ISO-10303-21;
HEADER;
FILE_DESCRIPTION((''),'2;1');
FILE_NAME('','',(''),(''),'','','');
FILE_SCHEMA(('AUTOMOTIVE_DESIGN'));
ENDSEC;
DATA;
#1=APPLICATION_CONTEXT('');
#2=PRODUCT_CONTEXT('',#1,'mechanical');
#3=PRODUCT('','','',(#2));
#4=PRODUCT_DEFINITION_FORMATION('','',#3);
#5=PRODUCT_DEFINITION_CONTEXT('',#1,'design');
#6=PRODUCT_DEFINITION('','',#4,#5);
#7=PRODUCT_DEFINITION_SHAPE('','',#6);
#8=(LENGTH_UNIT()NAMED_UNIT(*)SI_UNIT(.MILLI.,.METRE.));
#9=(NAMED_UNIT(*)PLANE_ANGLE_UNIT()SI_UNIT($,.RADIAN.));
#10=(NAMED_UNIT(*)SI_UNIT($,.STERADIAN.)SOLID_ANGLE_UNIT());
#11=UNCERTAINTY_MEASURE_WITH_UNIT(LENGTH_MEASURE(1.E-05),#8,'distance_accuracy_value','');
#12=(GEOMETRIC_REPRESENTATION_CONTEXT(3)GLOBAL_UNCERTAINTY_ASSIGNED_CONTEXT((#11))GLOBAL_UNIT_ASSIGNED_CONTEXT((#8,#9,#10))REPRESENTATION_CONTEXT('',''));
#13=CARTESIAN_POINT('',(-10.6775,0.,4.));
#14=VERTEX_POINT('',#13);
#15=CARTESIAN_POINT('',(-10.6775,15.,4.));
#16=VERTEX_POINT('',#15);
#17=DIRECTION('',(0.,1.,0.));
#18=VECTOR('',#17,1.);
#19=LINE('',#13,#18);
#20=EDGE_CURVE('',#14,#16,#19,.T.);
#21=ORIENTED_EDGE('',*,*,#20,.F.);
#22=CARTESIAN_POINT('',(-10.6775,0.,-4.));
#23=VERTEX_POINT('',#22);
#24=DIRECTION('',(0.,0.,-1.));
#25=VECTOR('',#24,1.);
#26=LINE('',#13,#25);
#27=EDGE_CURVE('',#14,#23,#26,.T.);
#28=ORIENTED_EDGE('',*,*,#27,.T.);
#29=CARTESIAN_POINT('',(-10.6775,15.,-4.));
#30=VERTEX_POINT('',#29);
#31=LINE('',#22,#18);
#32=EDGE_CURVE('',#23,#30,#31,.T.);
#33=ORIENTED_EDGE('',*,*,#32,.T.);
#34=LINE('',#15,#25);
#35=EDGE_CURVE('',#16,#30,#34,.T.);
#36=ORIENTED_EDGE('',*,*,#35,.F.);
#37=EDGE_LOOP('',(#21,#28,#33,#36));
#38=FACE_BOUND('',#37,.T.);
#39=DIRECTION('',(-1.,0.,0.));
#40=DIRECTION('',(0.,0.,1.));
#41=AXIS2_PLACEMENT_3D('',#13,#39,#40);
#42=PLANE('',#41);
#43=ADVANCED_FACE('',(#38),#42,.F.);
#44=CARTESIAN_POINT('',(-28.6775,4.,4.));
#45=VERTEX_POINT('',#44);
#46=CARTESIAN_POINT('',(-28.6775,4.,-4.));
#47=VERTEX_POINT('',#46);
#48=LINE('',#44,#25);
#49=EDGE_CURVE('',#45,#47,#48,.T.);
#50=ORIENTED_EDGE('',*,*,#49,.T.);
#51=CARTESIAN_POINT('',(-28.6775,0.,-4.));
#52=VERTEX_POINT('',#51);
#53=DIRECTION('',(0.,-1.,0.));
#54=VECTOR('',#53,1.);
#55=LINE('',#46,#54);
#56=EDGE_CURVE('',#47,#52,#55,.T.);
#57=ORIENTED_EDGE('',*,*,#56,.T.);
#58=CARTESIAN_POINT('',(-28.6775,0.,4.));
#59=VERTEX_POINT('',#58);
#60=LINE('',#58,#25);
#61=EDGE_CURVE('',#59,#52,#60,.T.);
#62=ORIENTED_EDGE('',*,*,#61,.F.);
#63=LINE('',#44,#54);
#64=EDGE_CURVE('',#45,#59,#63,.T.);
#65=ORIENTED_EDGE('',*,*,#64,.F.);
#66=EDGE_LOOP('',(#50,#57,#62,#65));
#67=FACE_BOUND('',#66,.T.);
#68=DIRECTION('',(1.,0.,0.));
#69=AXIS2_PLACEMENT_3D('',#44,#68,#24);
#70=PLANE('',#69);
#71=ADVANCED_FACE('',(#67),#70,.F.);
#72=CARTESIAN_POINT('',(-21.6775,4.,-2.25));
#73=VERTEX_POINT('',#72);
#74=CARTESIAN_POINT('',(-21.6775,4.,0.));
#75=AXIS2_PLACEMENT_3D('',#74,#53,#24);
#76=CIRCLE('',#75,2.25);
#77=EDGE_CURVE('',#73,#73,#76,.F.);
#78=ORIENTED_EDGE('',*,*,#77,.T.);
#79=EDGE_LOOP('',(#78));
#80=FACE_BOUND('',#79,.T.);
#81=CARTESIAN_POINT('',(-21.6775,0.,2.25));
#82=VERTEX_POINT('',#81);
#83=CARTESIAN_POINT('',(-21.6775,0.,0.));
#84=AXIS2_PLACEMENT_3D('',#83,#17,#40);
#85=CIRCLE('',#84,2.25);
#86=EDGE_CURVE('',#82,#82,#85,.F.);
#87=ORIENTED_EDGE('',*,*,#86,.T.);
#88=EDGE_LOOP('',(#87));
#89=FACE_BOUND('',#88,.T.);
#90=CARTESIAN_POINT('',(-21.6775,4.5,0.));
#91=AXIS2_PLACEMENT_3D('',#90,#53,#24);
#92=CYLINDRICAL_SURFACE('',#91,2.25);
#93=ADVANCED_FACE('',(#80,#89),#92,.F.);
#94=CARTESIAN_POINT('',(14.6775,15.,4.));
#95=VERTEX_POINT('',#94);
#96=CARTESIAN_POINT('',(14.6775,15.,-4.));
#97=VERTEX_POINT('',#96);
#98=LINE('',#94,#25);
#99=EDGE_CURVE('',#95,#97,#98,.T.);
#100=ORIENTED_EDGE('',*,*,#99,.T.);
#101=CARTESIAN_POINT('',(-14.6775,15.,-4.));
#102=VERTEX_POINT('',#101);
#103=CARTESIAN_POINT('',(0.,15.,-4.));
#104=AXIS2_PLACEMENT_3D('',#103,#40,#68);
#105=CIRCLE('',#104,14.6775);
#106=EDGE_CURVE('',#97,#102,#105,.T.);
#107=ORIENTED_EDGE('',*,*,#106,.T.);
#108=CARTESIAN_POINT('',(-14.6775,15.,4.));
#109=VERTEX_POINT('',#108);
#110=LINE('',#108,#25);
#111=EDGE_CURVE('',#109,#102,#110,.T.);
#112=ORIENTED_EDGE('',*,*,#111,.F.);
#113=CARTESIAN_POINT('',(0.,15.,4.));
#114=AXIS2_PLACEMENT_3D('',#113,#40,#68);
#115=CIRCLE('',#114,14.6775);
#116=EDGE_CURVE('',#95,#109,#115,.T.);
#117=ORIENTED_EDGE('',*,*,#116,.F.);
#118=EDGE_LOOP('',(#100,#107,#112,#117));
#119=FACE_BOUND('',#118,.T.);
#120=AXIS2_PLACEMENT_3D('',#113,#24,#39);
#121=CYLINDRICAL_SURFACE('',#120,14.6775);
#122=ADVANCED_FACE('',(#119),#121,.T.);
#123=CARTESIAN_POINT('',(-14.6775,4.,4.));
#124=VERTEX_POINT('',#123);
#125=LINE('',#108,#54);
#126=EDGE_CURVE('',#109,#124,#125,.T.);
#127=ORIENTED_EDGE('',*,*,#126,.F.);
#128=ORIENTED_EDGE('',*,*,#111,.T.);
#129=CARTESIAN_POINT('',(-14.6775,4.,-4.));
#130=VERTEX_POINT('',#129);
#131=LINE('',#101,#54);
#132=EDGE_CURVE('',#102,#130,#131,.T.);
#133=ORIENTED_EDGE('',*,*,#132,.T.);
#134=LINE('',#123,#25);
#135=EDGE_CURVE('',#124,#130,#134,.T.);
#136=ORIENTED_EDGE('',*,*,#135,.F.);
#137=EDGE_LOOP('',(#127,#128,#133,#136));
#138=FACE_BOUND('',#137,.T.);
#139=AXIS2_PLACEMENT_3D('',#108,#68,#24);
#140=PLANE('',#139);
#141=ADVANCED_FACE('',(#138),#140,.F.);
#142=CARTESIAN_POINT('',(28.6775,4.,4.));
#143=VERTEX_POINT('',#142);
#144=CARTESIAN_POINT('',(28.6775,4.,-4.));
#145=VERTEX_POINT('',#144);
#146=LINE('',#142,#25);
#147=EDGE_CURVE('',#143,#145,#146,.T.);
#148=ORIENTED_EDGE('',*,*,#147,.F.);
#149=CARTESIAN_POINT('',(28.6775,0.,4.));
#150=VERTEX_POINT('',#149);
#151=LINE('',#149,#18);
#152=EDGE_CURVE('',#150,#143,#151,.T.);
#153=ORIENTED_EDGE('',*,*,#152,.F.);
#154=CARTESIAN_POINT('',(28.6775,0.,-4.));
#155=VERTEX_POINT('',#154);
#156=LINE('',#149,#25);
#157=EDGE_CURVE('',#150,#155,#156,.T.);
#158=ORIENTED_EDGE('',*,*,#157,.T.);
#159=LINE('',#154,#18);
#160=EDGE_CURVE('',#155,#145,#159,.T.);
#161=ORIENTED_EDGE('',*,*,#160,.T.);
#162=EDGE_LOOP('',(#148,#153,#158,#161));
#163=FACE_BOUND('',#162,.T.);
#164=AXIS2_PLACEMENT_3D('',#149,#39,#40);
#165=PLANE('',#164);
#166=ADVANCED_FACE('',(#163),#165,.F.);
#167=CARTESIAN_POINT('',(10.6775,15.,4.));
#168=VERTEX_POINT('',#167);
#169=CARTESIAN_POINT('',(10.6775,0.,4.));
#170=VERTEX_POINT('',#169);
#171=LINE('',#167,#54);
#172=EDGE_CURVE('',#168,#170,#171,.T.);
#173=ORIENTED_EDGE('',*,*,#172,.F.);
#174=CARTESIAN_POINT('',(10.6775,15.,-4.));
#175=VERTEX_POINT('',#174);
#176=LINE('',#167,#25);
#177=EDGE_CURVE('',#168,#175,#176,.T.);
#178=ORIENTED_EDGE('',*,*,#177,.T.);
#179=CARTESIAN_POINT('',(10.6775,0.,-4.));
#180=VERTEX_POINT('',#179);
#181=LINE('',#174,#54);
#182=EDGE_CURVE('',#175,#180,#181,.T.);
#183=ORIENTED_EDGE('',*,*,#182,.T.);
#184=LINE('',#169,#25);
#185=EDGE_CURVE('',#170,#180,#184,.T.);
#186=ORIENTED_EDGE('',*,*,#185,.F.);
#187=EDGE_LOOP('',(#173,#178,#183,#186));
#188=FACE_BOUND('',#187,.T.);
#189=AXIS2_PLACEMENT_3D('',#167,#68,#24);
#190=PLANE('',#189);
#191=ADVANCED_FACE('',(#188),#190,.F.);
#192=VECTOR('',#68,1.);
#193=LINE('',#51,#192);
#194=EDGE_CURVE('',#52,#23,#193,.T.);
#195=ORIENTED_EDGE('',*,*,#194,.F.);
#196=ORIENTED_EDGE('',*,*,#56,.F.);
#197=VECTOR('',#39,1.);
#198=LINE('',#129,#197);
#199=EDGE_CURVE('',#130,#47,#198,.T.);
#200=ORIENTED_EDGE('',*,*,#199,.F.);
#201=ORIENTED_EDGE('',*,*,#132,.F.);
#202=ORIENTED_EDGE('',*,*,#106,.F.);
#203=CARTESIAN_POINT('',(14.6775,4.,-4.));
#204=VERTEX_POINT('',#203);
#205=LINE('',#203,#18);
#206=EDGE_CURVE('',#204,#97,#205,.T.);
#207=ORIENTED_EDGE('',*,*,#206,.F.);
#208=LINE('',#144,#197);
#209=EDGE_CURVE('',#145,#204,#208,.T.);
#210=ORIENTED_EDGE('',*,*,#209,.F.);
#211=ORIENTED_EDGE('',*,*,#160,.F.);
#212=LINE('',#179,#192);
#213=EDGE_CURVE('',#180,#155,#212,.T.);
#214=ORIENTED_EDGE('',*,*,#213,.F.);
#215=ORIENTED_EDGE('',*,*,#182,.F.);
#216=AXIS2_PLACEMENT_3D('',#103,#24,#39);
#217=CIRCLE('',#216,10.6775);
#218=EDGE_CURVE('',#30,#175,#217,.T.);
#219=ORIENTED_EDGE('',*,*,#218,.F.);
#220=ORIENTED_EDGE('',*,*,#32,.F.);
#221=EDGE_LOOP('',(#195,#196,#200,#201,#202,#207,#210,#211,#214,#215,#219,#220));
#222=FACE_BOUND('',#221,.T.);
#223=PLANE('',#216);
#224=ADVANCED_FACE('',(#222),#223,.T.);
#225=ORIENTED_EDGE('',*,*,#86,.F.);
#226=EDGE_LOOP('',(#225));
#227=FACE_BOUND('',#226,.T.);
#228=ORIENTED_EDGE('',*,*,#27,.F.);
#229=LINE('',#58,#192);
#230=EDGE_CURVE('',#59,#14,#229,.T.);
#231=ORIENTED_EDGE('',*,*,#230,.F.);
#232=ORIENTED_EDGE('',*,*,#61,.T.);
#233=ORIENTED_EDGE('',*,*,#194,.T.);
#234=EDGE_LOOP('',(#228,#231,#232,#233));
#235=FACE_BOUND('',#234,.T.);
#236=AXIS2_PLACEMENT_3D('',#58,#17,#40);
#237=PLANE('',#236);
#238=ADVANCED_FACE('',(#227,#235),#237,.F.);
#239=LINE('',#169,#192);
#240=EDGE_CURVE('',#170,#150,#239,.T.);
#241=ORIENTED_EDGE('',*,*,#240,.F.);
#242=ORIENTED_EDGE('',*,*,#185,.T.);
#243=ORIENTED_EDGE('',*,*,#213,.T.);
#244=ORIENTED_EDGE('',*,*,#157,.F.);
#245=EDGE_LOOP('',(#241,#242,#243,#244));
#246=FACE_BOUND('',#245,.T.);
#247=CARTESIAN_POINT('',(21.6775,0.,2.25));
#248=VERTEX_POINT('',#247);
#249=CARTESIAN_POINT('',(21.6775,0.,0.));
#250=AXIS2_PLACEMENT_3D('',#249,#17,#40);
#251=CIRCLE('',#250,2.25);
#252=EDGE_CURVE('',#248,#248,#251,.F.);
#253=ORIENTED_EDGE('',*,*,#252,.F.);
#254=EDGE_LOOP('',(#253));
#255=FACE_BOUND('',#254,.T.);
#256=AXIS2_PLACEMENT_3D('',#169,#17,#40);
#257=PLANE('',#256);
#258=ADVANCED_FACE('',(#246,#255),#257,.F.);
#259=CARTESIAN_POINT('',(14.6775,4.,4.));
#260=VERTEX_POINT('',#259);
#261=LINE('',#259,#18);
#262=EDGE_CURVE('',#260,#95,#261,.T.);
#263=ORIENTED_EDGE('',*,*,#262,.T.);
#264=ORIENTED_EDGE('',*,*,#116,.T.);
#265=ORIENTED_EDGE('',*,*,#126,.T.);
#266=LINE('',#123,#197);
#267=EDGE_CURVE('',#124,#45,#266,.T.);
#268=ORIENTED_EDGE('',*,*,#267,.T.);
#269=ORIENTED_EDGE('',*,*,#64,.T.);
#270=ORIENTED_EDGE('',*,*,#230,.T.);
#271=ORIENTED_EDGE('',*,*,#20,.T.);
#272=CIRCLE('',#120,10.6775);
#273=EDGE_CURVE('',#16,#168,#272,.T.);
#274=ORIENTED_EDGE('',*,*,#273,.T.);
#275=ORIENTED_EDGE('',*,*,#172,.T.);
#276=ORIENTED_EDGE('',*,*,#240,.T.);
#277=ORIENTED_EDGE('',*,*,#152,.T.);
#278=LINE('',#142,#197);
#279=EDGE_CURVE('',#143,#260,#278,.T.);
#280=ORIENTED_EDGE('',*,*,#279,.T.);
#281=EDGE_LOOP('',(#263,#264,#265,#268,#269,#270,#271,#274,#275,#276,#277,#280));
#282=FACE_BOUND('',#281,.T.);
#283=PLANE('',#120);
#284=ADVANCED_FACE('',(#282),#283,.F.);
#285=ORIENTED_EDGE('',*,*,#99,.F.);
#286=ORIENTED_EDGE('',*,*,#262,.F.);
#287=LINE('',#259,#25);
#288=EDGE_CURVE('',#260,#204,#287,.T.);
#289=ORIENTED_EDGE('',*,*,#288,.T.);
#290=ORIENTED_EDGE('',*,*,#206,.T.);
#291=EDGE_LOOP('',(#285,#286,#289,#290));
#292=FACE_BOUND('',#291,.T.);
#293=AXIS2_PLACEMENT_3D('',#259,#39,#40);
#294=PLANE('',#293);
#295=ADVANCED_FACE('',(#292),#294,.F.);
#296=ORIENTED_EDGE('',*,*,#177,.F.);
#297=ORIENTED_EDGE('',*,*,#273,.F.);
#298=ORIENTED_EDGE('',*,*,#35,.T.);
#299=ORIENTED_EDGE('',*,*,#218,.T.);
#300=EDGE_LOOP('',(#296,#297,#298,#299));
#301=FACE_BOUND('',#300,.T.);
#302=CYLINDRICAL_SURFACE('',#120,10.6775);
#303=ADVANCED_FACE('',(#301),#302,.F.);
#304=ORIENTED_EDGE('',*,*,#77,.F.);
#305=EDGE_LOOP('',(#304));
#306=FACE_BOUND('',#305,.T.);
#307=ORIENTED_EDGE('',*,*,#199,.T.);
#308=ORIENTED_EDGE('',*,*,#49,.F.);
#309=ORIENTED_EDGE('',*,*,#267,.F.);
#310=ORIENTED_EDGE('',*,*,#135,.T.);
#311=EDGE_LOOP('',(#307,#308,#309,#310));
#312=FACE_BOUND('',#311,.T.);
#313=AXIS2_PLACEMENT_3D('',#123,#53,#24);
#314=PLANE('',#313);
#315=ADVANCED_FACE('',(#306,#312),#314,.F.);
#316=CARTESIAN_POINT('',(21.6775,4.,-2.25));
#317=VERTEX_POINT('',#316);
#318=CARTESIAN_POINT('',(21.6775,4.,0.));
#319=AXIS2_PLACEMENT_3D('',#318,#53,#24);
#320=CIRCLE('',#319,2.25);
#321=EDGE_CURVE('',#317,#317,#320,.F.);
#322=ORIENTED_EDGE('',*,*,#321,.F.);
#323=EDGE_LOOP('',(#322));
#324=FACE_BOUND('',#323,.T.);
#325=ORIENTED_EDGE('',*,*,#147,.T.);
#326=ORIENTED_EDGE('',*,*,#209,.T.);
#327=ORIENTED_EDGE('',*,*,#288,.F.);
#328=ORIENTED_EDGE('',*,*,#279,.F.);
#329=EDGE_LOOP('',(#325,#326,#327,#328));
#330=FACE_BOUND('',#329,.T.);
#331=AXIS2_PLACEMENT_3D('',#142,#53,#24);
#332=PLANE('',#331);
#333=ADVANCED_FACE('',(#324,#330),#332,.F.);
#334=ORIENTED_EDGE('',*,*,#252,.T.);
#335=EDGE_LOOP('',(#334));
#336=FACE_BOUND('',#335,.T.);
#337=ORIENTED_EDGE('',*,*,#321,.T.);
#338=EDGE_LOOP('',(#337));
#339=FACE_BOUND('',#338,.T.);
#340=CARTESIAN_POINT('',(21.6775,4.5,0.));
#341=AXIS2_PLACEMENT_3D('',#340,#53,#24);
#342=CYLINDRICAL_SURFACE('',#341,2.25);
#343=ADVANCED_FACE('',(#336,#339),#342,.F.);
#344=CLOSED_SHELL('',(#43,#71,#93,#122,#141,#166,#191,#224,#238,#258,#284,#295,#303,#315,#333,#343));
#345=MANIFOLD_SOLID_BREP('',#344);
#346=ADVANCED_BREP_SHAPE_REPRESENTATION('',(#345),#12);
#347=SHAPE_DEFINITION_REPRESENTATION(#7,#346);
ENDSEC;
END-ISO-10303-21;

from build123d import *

# Parameters (mm, degrees)
STRAP_DEPTH        = 4
EAR_HOLES_M4_START = -0.5
SKETCH2_R          = 2.25
EAR_HOLES_M4_DEPTH = 5


with BuildPart() as part:
    # Sketch1 → Strap (new, symmetric)
    with BuildSketch(Plane.XY):
        with BuildLine():
            Line((-28.6775, 0), (-10.6775, 0))
            Line((-10.6775, 0), (-10.6775, 15))
            ThreePointArc((-10.6775, 15), (0, 25.6775), (10.6775, 15))
            Line((10.6775, 15), (10.6775, 0))
            Line((10.6775, 0), (28.6775, 0))
            Line((28.6775, 0), (28.6775, 4))
            Line((28.6775, 4), (14.6775, 4))
            Line((14.6775, 4), (14.6775, 15))
            ThreePointArc((14.6775, 15), (0, 29.6775), (-14.6775, 15))
            Line((-14.6775, 15), (-14.6775, 4))
            Line((-14.6775, 4), (-28.6775, 4))
            Line((-28.6775, 4), (-28.6775, 0))
        make_face()
    extrude(amount=STRAP_DEPTH, both=True)

    # Sketch2 → Ear_Holes_M4 (cut)
    with BuildSketch(Plane(origin=(0, 0, 0), x_dir=(1, 0, 0), z_dir=(0, 1, 0)).offset(EAR_HOLES_M4_START)):
        with Locations(Location((-21.6775, 0, 0), (0, 0, 90))):
            Circle(SKETCH2_R)
        with Locations(Location((21.6775, 0, 0), (0, 0, 90))):
            Circle(SKETCH2_R)
    extrude(amount=EAR_HOLES_M4_DEPTH, mode=Mode.SUBTRACT)


solid = part.part
